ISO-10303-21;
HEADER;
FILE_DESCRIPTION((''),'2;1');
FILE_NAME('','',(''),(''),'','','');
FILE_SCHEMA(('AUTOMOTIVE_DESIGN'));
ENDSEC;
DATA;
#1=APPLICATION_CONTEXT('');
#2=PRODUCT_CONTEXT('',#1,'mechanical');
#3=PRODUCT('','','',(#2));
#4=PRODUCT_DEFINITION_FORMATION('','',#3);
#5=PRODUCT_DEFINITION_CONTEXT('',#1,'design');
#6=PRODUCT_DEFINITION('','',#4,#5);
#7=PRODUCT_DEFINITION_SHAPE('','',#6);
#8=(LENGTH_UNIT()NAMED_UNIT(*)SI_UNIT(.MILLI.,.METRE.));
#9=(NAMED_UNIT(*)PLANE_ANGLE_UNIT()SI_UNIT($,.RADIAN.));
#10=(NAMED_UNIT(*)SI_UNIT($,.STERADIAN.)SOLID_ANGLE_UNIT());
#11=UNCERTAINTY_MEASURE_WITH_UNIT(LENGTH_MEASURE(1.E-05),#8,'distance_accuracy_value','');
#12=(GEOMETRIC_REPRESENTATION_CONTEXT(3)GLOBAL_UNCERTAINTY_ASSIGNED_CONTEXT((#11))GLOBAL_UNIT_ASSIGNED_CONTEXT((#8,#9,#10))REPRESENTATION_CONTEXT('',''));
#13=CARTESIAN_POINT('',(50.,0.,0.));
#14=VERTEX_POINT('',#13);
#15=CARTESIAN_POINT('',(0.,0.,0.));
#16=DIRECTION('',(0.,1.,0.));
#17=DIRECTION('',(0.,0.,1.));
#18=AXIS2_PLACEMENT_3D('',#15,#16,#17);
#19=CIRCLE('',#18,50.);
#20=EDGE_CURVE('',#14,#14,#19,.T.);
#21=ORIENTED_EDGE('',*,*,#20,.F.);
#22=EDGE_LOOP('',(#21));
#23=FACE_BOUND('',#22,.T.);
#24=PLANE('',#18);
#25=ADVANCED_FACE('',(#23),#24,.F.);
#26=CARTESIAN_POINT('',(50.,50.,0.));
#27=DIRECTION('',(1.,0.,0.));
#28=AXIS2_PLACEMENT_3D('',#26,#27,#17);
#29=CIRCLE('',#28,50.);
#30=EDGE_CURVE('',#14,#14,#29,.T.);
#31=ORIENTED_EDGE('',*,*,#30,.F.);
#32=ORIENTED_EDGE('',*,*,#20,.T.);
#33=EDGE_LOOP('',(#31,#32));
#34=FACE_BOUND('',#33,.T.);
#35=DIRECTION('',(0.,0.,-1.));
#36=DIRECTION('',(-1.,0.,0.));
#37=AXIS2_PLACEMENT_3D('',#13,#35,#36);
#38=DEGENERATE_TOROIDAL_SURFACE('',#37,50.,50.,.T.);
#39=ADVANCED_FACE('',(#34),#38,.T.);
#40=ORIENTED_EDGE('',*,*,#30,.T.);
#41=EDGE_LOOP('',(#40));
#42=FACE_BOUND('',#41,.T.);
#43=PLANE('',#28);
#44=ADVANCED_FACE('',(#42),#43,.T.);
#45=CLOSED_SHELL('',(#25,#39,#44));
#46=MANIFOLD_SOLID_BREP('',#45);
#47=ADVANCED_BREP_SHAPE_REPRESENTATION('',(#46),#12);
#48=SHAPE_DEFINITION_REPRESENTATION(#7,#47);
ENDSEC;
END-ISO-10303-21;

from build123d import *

# Parameters (mm, degrees)
SKETCH2_R = 50


with BuildPart() as part:
    # Sweep1: sweep along a path in Sketch4
    with BuildLine(Plane.XY) as sweep1_path:
        ThreePointArc((0, 0), (14.644660941, 35.355339059), (50, 50))
    # Sketch2 → Sweep1 (sweep)
    with BuildSketch(Plane(origin=(0, 0, 0), x_dir=(1, 0, 0), z_dir=(0, 1, 0))):
        Circle(SKETCH2_R)
    sweep(path=sweep1_path.line)


solid = part.part
